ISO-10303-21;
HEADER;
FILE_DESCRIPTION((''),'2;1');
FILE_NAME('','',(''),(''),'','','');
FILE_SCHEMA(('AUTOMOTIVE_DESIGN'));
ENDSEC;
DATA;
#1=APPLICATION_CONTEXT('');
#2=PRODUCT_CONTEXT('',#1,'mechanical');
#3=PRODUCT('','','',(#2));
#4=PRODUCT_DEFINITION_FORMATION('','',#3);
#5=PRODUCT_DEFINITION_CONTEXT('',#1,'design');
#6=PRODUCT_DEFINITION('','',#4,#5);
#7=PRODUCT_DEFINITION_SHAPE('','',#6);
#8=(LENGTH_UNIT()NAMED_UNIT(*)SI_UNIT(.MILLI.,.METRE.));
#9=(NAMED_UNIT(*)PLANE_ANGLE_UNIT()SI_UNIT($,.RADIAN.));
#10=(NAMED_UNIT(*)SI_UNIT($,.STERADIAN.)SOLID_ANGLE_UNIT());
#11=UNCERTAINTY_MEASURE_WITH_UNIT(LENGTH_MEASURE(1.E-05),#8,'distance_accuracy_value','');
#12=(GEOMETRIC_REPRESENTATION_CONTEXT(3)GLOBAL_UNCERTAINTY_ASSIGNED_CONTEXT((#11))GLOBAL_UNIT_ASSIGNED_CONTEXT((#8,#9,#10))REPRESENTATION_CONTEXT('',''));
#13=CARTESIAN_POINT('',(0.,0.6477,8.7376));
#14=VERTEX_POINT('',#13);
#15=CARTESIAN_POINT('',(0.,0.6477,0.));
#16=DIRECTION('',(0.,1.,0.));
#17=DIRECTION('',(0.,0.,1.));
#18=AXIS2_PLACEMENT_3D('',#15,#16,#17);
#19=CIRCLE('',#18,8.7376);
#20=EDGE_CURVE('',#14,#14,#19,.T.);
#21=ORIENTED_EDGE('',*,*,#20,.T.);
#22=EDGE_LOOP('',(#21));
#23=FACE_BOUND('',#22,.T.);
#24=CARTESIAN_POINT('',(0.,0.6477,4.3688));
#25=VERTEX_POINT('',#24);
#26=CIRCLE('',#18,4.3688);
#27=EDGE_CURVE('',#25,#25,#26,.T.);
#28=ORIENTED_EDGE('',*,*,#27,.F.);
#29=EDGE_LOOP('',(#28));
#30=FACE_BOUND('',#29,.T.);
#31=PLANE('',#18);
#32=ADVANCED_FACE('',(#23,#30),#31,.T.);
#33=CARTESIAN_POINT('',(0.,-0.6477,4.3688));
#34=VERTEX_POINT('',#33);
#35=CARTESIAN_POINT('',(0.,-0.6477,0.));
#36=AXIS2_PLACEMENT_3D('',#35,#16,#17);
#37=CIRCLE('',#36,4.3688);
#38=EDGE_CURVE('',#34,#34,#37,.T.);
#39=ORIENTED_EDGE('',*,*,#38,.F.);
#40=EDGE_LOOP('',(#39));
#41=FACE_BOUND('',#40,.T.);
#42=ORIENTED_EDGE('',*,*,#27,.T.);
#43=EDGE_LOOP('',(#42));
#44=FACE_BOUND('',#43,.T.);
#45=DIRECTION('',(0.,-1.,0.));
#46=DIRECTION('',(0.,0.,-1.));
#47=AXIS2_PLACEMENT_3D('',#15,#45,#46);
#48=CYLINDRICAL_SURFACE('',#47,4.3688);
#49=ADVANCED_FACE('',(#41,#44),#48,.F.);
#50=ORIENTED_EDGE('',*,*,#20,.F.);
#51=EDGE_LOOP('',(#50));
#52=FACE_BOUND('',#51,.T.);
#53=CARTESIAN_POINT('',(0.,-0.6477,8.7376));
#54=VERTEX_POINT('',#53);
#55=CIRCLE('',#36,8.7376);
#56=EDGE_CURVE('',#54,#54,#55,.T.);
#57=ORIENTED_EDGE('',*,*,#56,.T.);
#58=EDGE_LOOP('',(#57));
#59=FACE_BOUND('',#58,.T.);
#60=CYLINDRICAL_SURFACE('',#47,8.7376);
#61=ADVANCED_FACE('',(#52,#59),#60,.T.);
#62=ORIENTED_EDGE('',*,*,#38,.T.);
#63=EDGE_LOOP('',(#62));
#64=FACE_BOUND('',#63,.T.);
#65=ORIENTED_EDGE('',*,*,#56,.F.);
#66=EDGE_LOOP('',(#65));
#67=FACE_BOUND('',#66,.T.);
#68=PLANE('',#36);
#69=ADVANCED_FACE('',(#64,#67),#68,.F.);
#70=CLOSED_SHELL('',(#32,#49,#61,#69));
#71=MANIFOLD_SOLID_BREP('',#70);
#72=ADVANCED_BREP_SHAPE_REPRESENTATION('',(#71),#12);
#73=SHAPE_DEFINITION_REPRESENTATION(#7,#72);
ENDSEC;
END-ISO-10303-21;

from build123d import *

# Parameters (mm, degrees)
SKETCH3_R                = 8.7376
SKETCH3_R_2              = 4.3688
BOSS_EXTRUDE1_DEPTH      = 0.6477
BOSS_EXTRUDE1_DEPTH_BACK = 0.6477


with BuildPart() as part:
    # Sketch3 → Boss-Extrude1 (new body, two sides)
    with BuildSketch(Plane(origin=(0, 0, 0), x_dir=(1, 0, 0), z_dir=(0, 1, 0))) as boss_extrude1_sk:
        Circle(SKETCH3_R)
        Circle(SKETCH3_R_2, mode=Mode.SUBTRACT)
    extrude(amount=BOSS_EXTRUDE1_DEPTH)
    extrude(boss_extrude1_sk.sketch, amount=-BOSS_EXTRUDE1_DEPTH_BACK)


solid = part.part
